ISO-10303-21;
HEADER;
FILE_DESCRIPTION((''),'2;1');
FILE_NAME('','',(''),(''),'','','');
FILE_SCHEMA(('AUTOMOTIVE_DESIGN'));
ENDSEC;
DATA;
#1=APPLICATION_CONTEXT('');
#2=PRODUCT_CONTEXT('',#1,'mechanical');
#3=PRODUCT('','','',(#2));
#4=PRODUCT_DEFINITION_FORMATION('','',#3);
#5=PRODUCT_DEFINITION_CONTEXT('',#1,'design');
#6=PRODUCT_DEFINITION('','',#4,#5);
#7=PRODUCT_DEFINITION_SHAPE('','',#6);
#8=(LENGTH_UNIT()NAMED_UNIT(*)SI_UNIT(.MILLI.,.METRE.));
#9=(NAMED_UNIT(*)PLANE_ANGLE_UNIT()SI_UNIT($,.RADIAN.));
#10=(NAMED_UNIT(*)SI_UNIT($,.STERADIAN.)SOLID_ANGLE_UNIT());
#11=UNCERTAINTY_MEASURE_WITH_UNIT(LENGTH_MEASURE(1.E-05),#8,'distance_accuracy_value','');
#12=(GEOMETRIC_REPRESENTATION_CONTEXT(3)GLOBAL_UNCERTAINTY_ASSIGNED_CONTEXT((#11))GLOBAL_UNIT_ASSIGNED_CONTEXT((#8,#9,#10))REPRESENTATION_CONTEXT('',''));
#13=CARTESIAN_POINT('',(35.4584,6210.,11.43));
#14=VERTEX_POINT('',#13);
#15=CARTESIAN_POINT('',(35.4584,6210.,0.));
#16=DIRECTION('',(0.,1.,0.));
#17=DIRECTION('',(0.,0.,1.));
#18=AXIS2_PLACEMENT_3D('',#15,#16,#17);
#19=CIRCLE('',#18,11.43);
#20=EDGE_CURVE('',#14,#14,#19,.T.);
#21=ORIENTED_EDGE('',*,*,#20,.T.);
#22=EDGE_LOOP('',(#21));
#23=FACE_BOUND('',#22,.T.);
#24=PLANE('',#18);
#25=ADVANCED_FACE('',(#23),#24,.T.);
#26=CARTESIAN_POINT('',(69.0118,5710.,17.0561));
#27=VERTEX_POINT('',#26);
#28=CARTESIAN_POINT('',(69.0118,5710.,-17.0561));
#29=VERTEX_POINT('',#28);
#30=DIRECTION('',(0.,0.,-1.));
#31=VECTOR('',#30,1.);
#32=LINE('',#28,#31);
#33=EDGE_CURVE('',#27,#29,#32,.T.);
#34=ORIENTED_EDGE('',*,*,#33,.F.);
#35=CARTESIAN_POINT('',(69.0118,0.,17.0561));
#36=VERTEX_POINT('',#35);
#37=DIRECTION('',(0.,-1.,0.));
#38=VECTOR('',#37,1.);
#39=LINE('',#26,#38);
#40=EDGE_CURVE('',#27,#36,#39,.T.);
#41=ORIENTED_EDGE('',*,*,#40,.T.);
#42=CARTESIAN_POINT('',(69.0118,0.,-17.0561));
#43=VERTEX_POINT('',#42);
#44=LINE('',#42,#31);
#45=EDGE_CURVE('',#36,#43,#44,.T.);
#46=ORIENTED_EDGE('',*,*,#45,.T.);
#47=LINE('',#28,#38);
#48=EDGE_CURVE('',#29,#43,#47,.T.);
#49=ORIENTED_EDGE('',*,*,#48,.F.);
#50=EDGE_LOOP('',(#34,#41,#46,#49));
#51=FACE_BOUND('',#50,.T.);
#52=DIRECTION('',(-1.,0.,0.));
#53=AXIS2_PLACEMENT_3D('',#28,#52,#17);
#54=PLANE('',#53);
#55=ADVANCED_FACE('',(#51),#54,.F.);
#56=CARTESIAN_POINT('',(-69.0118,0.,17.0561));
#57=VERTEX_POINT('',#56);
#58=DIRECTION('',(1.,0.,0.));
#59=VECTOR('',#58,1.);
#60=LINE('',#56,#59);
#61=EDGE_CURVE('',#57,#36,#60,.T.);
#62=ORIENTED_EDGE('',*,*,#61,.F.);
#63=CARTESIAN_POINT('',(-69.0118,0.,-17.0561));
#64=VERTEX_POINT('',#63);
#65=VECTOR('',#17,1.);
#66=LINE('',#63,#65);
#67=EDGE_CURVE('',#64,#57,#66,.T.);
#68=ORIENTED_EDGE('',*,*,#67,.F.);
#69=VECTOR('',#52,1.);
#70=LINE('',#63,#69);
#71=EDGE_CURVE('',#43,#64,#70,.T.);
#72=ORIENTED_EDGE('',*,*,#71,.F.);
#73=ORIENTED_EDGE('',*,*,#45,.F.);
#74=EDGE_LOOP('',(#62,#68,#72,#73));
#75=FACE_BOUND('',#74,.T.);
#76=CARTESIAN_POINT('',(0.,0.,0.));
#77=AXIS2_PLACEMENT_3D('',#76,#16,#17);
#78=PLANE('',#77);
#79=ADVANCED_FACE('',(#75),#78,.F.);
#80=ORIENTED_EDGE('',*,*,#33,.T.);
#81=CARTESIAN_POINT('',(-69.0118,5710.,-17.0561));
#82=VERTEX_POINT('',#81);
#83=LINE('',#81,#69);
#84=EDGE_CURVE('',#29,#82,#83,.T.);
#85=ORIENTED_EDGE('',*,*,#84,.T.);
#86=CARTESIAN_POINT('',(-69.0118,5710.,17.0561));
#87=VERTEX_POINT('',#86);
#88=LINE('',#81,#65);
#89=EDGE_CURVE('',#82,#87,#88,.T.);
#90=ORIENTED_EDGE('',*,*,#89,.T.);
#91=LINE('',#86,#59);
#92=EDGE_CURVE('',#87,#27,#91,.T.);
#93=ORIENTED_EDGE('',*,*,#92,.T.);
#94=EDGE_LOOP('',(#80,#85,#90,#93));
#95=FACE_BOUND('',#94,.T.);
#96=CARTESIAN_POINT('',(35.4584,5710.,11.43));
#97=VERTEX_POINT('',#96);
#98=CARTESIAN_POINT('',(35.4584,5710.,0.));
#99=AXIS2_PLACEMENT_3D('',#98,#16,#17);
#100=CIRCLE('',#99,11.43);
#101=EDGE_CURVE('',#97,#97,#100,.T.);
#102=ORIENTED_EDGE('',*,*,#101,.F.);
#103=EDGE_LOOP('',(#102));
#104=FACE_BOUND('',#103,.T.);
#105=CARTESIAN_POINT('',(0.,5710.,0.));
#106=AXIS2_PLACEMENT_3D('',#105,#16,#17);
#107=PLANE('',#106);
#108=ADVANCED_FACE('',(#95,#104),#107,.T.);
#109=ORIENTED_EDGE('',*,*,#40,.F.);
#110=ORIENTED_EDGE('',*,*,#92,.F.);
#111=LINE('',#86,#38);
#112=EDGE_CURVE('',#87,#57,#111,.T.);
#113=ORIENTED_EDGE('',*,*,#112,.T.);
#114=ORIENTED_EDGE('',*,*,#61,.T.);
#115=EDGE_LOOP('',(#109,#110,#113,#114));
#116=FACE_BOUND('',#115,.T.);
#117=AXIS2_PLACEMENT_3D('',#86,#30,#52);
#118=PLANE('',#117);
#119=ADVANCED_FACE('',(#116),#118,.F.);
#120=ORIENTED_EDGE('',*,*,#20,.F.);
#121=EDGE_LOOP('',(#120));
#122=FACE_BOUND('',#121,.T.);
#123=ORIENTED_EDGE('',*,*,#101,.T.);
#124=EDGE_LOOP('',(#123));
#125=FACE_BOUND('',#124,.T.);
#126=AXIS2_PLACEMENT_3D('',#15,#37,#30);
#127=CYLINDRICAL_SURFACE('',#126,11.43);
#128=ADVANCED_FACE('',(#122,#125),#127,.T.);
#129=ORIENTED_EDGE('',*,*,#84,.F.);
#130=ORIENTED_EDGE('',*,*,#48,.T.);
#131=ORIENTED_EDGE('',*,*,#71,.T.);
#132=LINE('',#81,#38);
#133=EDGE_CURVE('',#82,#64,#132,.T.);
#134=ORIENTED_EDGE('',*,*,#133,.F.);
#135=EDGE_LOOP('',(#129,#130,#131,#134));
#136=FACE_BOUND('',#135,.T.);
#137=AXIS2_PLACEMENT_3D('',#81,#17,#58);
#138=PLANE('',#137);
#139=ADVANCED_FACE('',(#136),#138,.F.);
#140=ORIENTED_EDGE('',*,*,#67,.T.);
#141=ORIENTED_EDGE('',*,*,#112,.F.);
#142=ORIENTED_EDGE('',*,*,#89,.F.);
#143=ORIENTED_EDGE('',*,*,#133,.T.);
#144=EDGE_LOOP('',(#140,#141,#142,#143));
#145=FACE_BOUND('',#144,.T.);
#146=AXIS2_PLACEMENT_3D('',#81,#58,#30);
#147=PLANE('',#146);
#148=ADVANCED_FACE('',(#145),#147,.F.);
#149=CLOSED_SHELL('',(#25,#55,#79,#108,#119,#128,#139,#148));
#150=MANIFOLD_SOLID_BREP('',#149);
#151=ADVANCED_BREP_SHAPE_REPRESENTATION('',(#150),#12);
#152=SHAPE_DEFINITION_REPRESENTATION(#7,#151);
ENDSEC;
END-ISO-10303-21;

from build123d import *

# Parameters (mm, degrees)
SKETCH1_W           = 138.0236
SKETCH1_H           = 34.1122
BOSS_EXTRUDE1_DEPTH = 5710
SKETCH2_R           = 11.43
BOSS_EXTRUDE2_DEPTH = 500


with BuildPart() as part:
    # Sketch1 → Boss-Extrude1 (new body)
    with BuildSketch(Plane(origin=(0, 0, 0), x_dir=(1, 0, 0), z_dir=(0, 1, 0))):
        Rectangle(SKETCH1_W, SKETCH1_H)
    extrude(amount=BOSS_EXTRUDE1_DEPTH)

    # Sketch2 → Boss-Extrude2 (add)
    with BuildSketch(Plane(origin=(0, 5710, 0), x_dir=(1, 0, 0), z_dir=(0, 1, 0))):
        with Locations((35.4584, 0)):
            Circle(SKETCH2_R)
    extrude(amount=BOSS_EXTRUDE2_DEPTH)


solid = part.part
